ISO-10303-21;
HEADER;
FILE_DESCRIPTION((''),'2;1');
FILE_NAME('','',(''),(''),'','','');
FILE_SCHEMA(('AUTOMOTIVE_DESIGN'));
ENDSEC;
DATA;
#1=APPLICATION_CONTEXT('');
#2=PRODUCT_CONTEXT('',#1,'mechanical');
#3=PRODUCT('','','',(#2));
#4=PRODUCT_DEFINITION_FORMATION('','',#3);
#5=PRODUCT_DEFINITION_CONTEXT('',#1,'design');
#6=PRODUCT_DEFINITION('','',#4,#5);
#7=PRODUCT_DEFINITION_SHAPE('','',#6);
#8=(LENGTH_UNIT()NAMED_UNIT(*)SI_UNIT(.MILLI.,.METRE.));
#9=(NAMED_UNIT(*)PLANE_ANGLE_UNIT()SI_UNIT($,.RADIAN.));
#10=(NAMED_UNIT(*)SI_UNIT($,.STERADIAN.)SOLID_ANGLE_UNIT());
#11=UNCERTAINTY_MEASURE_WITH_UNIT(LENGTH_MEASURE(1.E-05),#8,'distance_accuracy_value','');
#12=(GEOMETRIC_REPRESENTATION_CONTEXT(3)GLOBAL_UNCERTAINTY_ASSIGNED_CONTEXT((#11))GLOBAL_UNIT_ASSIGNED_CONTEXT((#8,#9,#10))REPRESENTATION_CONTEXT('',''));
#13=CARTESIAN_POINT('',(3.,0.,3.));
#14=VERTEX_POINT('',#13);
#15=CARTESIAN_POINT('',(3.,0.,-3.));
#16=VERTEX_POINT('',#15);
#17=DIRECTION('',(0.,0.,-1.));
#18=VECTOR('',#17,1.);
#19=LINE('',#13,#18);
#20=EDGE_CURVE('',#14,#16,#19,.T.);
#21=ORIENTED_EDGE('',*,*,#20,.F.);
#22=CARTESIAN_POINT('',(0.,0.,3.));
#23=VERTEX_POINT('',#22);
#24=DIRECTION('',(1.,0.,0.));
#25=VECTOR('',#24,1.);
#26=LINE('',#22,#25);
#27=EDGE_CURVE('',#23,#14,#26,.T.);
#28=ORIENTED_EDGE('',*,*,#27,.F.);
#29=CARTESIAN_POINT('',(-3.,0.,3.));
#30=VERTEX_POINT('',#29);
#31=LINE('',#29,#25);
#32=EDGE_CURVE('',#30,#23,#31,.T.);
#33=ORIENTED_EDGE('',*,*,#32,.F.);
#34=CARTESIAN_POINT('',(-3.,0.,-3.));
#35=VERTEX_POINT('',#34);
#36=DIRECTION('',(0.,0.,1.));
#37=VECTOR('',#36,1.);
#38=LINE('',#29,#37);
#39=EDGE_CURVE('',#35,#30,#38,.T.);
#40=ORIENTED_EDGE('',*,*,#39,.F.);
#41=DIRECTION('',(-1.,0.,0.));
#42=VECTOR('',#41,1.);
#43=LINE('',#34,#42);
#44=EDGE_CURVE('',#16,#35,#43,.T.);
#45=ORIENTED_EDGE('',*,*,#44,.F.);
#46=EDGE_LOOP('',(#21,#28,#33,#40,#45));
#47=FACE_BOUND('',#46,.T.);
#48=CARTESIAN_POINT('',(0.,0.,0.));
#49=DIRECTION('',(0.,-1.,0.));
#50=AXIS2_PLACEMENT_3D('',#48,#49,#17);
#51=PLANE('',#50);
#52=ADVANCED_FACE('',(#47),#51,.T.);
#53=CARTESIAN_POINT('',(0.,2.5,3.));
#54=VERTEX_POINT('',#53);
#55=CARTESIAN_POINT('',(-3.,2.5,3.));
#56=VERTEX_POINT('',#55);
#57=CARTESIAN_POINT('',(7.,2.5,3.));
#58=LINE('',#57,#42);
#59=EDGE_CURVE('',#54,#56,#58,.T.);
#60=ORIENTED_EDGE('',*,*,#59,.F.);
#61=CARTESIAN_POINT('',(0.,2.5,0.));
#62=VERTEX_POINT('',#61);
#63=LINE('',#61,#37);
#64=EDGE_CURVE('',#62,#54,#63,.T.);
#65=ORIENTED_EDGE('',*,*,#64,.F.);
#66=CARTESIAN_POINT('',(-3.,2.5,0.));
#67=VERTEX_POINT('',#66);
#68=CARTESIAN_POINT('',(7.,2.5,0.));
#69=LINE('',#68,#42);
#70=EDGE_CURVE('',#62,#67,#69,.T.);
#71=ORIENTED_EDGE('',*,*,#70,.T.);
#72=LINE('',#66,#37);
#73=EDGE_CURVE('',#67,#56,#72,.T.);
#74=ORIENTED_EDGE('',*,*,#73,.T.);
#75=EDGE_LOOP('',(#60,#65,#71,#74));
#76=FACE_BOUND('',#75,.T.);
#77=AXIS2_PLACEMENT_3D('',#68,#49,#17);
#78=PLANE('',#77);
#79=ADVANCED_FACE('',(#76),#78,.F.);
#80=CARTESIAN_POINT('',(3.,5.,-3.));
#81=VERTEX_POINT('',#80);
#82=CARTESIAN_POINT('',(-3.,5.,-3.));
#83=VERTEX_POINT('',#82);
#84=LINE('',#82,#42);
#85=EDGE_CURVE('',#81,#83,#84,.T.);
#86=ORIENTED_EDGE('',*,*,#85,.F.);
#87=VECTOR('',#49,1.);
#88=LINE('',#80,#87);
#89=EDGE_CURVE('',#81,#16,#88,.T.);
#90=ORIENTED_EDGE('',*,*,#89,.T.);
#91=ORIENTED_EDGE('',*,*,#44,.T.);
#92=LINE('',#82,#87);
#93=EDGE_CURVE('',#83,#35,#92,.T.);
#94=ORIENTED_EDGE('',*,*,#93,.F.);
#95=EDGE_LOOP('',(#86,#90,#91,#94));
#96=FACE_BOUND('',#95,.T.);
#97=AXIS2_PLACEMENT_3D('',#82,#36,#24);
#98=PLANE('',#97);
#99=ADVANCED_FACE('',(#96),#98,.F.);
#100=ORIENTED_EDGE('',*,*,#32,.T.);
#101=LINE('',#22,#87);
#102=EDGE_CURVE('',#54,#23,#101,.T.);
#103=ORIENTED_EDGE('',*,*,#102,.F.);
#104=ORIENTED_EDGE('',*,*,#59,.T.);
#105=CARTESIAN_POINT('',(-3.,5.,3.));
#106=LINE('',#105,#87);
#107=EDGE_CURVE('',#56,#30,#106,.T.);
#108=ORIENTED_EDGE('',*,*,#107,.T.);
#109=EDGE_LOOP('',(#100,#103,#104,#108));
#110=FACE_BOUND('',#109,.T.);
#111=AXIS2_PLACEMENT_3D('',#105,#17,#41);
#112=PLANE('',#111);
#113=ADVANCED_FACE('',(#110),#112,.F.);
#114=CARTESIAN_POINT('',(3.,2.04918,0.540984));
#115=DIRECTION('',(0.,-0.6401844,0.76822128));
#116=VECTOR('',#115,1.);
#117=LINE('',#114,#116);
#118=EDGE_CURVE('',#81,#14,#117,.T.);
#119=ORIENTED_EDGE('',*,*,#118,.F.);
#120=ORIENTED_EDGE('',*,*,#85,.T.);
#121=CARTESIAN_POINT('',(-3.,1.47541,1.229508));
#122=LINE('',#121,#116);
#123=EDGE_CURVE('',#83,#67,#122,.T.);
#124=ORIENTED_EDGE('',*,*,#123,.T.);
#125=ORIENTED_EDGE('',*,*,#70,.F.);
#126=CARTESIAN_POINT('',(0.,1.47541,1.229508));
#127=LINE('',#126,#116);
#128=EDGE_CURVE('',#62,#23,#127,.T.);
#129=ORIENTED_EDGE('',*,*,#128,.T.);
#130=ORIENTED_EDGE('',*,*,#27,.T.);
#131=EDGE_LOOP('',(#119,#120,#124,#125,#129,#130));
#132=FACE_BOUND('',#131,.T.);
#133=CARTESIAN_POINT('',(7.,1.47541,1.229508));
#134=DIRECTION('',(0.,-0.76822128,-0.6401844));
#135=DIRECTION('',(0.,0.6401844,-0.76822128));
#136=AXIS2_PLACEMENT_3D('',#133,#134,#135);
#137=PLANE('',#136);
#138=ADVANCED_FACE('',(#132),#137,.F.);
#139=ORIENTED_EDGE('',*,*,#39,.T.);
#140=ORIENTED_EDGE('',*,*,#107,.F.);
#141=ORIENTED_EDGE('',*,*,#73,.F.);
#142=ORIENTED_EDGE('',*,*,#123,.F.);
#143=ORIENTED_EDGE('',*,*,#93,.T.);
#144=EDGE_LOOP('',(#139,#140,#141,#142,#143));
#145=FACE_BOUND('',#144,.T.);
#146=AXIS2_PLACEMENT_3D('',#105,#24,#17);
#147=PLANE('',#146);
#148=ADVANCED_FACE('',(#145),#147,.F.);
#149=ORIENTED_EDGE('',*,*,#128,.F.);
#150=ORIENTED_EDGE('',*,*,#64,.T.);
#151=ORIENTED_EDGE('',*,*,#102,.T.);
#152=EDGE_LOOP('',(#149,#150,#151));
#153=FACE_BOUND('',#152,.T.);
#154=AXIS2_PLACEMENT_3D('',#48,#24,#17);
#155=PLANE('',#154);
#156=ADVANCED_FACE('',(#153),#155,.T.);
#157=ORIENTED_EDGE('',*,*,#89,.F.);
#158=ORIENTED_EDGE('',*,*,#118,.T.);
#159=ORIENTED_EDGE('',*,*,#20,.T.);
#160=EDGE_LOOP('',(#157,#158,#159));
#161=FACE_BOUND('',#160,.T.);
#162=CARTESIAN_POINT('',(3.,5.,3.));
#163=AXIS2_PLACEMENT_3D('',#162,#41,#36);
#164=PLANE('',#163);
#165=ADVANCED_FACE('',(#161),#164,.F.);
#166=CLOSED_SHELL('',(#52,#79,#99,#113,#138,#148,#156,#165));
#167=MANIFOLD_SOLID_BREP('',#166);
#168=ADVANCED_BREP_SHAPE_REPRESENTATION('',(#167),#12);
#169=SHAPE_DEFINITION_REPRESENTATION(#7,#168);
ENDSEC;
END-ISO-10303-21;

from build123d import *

# Parameters (mm, degrees)
SKETCH1_W           = 6
SKETCH1_H           = 6
BOSS_EXTRUDE1_DEPTH = 5
CUT_EXTRUDE1_DEPTH  = 10
CUT_EXTRUDE2_DEPTH  = 3


with BuildPart() as part:
    # Sketch1 → Boss-Extrude1 (new body)
    with BuildSketch(Plane(origin=(0, 0, 0), x_dir=(1, 0, 0), z_dir=(0, 1, 0))):
        Rectangle(SKETCH1_W, SKETCH1_H)
    extrude(amount=BOSS_EXTRUDE1_DEPTH)

    # Sketch2 → Cut-Extrude1 (cut)
    with BuildSketch(Plane.ZY.offset(3)):
        Polygon((3, 5), (-3, 5), (0, 2.5), (3, 2.5), align=None)
    extrude(amount=-CUT_EXTRUDE1_DEPTH, mode=Mode.SUBTRACT)

    # Sketch3 → Cut-Extrude2 (cut)
    with BuildSketch(Plane(origin=(3, 0, 0), x_dir=(0, 0, -1), z_dir=(1, 0, 0))):
        Polygon((-3, 0), (0, 2.5), (-3, 2.5), align=None)
    extrude(amount=-CUT_EXTRUDE2_DEPTH, mode=Mode.SUBTRACT)


solid = part.part
